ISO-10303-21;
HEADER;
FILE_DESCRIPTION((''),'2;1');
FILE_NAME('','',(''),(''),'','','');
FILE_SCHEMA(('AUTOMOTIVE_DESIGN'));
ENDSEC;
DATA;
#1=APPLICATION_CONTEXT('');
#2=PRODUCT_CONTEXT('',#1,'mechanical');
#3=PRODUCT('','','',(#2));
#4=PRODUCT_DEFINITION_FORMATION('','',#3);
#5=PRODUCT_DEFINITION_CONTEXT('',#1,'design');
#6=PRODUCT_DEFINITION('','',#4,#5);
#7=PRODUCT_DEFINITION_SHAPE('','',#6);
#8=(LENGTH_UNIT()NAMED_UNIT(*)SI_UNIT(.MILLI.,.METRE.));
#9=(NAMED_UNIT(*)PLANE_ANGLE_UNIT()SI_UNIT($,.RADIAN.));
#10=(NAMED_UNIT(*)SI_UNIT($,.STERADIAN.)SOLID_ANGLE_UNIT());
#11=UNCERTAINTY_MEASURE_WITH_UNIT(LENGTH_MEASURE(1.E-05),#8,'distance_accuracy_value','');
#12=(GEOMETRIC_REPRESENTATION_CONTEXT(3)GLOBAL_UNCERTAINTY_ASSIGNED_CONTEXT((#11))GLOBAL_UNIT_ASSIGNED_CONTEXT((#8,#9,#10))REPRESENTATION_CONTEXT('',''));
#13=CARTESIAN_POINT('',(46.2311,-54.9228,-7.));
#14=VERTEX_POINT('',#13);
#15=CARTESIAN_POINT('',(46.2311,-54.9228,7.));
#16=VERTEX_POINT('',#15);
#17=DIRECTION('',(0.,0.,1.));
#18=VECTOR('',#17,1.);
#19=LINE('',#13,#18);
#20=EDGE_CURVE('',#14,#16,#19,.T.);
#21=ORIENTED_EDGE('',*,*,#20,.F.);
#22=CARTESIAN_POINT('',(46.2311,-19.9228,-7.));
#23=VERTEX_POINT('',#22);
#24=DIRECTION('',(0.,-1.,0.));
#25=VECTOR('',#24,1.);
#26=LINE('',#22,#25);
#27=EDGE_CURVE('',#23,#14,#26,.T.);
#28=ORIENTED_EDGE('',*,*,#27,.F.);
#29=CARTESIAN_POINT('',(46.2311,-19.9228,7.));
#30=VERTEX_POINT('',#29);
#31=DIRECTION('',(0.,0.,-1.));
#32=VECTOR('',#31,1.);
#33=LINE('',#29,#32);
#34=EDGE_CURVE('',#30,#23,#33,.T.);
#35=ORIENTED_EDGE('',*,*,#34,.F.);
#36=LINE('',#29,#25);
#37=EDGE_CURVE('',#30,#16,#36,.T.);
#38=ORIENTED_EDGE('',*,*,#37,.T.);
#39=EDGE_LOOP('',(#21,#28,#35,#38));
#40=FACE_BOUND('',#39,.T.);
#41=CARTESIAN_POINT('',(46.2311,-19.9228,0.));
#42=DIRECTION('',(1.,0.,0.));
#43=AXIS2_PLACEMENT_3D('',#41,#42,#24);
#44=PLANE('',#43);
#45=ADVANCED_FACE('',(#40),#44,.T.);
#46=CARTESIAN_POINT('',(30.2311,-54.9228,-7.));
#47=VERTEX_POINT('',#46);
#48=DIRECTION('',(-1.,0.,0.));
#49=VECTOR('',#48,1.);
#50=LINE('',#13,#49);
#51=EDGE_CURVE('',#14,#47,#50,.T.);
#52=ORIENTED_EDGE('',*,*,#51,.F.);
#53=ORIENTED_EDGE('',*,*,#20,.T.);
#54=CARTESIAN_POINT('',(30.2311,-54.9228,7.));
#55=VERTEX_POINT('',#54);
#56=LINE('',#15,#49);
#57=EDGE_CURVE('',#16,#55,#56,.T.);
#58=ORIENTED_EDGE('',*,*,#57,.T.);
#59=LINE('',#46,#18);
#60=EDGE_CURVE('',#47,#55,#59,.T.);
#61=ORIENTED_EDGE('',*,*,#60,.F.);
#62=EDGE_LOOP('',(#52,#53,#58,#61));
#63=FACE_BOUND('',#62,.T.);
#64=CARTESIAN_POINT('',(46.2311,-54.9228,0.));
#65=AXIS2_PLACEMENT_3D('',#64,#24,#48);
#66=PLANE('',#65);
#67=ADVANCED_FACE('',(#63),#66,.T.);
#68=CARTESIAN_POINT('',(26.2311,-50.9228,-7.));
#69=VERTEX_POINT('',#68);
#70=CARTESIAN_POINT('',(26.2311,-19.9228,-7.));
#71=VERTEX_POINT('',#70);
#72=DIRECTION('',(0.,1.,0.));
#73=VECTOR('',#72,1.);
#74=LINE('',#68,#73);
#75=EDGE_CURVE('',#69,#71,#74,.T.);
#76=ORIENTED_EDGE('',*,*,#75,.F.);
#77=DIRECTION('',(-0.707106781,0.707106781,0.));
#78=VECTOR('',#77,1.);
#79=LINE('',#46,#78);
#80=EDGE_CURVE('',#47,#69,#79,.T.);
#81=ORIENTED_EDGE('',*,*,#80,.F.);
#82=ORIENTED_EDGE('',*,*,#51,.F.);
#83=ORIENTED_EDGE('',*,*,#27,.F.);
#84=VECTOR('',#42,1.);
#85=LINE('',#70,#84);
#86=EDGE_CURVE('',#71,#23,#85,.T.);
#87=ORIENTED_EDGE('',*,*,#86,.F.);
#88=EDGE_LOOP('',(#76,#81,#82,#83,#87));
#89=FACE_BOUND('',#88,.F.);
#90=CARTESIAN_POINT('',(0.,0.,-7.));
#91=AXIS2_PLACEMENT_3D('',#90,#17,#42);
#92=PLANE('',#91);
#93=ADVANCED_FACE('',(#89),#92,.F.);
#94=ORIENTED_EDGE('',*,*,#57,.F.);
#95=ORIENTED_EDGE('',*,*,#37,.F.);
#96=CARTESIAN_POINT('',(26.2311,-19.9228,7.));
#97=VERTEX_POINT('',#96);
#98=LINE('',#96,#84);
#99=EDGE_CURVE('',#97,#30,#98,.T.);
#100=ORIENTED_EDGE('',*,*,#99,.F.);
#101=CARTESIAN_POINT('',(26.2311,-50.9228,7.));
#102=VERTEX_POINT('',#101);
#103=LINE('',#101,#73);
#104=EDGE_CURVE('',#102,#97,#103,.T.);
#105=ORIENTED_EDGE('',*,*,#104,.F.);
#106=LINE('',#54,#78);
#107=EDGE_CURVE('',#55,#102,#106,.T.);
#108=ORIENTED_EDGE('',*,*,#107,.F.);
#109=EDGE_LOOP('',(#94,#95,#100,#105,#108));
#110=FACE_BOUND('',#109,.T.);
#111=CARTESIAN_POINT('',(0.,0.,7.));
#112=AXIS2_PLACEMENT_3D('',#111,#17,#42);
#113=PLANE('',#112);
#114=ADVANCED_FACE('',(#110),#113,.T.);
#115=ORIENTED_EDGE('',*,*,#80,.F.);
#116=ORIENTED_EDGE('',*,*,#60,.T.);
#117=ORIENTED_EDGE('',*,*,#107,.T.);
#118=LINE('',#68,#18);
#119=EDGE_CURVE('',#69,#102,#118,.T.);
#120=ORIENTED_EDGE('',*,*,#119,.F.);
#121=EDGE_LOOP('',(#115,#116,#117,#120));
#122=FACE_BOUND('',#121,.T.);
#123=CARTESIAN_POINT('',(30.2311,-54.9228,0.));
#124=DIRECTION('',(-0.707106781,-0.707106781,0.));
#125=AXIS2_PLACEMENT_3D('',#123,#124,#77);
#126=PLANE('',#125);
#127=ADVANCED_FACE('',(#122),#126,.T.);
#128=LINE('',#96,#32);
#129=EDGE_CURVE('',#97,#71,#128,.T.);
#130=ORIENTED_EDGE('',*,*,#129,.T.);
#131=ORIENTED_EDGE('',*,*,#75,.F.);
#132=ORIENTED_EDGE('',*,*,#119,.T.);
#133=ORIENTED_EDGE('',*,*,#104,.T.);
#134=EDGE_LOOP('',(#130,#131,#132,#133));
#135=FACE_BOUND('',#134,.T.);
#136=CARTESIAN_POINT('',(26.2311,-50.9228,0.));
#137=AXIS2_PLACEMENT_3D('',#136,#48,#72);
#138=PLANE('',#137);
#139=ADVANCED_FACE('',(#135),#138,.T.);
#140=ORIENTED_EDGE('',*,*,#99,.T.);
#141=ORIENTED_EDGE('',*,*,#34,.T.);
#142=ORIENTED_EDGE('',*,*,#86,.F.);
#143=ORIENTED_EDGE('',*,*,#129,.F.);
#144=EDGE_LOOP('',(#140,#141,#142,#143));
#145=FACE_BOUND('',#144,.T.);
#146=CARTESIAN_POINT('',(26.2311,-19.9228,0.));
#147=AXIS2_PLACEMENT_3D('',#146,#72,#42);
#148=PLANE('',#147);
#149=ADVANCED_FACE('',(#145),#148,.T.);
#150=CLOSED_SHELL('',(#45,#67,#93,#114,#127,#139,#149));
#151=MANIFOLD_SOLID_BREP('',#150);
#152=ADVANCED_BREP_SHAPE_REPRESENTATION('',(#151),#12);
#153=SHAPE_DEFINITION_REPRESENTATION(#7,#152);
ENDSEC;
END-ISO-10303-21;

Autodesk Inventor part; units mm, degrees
ref_plane "YZ Plane" through (0, 0, 0) normal (1, 0, 0) x (0, 1, 0)
ref_plane "XZ Plane" through (0, 0, 0) normal (0, 1, 0) x (-1, 0, 0)
ref_plane "XY Plane" through (0, 0, 0) normal (0, 0, 1) x (1, 0, 0)
sketch "Skizze1" plane through (0, 0, 0) normal (0, 0, 1) x (1, 0, 0)
  line L0 (26.2311, -50.9228) -> (26.2311, -19.9228)
  line L1 (26.2311, -19.9228) -> (46.2311, -19.9228)
  line L2 (46.2311, -19.9228) -> (46.2311, -54.9228)
  line L3 (46.2311, -54.9228) -> (30.2311, -54.9228)
  line L4 (30.2311, -54.9228) -> (26.2311, -50.9228)
  point P0 (0, 0)
  dimension "d0" = 45
  dimension "d1" = 4
  dimension "d2" = 20
  dimension "d4" = 35
extrude "Extrusion1" add sketch "Skizze1" along normal mid plane 14
properties part number "_WT_Aufnahme_Antriebseinheit1"
